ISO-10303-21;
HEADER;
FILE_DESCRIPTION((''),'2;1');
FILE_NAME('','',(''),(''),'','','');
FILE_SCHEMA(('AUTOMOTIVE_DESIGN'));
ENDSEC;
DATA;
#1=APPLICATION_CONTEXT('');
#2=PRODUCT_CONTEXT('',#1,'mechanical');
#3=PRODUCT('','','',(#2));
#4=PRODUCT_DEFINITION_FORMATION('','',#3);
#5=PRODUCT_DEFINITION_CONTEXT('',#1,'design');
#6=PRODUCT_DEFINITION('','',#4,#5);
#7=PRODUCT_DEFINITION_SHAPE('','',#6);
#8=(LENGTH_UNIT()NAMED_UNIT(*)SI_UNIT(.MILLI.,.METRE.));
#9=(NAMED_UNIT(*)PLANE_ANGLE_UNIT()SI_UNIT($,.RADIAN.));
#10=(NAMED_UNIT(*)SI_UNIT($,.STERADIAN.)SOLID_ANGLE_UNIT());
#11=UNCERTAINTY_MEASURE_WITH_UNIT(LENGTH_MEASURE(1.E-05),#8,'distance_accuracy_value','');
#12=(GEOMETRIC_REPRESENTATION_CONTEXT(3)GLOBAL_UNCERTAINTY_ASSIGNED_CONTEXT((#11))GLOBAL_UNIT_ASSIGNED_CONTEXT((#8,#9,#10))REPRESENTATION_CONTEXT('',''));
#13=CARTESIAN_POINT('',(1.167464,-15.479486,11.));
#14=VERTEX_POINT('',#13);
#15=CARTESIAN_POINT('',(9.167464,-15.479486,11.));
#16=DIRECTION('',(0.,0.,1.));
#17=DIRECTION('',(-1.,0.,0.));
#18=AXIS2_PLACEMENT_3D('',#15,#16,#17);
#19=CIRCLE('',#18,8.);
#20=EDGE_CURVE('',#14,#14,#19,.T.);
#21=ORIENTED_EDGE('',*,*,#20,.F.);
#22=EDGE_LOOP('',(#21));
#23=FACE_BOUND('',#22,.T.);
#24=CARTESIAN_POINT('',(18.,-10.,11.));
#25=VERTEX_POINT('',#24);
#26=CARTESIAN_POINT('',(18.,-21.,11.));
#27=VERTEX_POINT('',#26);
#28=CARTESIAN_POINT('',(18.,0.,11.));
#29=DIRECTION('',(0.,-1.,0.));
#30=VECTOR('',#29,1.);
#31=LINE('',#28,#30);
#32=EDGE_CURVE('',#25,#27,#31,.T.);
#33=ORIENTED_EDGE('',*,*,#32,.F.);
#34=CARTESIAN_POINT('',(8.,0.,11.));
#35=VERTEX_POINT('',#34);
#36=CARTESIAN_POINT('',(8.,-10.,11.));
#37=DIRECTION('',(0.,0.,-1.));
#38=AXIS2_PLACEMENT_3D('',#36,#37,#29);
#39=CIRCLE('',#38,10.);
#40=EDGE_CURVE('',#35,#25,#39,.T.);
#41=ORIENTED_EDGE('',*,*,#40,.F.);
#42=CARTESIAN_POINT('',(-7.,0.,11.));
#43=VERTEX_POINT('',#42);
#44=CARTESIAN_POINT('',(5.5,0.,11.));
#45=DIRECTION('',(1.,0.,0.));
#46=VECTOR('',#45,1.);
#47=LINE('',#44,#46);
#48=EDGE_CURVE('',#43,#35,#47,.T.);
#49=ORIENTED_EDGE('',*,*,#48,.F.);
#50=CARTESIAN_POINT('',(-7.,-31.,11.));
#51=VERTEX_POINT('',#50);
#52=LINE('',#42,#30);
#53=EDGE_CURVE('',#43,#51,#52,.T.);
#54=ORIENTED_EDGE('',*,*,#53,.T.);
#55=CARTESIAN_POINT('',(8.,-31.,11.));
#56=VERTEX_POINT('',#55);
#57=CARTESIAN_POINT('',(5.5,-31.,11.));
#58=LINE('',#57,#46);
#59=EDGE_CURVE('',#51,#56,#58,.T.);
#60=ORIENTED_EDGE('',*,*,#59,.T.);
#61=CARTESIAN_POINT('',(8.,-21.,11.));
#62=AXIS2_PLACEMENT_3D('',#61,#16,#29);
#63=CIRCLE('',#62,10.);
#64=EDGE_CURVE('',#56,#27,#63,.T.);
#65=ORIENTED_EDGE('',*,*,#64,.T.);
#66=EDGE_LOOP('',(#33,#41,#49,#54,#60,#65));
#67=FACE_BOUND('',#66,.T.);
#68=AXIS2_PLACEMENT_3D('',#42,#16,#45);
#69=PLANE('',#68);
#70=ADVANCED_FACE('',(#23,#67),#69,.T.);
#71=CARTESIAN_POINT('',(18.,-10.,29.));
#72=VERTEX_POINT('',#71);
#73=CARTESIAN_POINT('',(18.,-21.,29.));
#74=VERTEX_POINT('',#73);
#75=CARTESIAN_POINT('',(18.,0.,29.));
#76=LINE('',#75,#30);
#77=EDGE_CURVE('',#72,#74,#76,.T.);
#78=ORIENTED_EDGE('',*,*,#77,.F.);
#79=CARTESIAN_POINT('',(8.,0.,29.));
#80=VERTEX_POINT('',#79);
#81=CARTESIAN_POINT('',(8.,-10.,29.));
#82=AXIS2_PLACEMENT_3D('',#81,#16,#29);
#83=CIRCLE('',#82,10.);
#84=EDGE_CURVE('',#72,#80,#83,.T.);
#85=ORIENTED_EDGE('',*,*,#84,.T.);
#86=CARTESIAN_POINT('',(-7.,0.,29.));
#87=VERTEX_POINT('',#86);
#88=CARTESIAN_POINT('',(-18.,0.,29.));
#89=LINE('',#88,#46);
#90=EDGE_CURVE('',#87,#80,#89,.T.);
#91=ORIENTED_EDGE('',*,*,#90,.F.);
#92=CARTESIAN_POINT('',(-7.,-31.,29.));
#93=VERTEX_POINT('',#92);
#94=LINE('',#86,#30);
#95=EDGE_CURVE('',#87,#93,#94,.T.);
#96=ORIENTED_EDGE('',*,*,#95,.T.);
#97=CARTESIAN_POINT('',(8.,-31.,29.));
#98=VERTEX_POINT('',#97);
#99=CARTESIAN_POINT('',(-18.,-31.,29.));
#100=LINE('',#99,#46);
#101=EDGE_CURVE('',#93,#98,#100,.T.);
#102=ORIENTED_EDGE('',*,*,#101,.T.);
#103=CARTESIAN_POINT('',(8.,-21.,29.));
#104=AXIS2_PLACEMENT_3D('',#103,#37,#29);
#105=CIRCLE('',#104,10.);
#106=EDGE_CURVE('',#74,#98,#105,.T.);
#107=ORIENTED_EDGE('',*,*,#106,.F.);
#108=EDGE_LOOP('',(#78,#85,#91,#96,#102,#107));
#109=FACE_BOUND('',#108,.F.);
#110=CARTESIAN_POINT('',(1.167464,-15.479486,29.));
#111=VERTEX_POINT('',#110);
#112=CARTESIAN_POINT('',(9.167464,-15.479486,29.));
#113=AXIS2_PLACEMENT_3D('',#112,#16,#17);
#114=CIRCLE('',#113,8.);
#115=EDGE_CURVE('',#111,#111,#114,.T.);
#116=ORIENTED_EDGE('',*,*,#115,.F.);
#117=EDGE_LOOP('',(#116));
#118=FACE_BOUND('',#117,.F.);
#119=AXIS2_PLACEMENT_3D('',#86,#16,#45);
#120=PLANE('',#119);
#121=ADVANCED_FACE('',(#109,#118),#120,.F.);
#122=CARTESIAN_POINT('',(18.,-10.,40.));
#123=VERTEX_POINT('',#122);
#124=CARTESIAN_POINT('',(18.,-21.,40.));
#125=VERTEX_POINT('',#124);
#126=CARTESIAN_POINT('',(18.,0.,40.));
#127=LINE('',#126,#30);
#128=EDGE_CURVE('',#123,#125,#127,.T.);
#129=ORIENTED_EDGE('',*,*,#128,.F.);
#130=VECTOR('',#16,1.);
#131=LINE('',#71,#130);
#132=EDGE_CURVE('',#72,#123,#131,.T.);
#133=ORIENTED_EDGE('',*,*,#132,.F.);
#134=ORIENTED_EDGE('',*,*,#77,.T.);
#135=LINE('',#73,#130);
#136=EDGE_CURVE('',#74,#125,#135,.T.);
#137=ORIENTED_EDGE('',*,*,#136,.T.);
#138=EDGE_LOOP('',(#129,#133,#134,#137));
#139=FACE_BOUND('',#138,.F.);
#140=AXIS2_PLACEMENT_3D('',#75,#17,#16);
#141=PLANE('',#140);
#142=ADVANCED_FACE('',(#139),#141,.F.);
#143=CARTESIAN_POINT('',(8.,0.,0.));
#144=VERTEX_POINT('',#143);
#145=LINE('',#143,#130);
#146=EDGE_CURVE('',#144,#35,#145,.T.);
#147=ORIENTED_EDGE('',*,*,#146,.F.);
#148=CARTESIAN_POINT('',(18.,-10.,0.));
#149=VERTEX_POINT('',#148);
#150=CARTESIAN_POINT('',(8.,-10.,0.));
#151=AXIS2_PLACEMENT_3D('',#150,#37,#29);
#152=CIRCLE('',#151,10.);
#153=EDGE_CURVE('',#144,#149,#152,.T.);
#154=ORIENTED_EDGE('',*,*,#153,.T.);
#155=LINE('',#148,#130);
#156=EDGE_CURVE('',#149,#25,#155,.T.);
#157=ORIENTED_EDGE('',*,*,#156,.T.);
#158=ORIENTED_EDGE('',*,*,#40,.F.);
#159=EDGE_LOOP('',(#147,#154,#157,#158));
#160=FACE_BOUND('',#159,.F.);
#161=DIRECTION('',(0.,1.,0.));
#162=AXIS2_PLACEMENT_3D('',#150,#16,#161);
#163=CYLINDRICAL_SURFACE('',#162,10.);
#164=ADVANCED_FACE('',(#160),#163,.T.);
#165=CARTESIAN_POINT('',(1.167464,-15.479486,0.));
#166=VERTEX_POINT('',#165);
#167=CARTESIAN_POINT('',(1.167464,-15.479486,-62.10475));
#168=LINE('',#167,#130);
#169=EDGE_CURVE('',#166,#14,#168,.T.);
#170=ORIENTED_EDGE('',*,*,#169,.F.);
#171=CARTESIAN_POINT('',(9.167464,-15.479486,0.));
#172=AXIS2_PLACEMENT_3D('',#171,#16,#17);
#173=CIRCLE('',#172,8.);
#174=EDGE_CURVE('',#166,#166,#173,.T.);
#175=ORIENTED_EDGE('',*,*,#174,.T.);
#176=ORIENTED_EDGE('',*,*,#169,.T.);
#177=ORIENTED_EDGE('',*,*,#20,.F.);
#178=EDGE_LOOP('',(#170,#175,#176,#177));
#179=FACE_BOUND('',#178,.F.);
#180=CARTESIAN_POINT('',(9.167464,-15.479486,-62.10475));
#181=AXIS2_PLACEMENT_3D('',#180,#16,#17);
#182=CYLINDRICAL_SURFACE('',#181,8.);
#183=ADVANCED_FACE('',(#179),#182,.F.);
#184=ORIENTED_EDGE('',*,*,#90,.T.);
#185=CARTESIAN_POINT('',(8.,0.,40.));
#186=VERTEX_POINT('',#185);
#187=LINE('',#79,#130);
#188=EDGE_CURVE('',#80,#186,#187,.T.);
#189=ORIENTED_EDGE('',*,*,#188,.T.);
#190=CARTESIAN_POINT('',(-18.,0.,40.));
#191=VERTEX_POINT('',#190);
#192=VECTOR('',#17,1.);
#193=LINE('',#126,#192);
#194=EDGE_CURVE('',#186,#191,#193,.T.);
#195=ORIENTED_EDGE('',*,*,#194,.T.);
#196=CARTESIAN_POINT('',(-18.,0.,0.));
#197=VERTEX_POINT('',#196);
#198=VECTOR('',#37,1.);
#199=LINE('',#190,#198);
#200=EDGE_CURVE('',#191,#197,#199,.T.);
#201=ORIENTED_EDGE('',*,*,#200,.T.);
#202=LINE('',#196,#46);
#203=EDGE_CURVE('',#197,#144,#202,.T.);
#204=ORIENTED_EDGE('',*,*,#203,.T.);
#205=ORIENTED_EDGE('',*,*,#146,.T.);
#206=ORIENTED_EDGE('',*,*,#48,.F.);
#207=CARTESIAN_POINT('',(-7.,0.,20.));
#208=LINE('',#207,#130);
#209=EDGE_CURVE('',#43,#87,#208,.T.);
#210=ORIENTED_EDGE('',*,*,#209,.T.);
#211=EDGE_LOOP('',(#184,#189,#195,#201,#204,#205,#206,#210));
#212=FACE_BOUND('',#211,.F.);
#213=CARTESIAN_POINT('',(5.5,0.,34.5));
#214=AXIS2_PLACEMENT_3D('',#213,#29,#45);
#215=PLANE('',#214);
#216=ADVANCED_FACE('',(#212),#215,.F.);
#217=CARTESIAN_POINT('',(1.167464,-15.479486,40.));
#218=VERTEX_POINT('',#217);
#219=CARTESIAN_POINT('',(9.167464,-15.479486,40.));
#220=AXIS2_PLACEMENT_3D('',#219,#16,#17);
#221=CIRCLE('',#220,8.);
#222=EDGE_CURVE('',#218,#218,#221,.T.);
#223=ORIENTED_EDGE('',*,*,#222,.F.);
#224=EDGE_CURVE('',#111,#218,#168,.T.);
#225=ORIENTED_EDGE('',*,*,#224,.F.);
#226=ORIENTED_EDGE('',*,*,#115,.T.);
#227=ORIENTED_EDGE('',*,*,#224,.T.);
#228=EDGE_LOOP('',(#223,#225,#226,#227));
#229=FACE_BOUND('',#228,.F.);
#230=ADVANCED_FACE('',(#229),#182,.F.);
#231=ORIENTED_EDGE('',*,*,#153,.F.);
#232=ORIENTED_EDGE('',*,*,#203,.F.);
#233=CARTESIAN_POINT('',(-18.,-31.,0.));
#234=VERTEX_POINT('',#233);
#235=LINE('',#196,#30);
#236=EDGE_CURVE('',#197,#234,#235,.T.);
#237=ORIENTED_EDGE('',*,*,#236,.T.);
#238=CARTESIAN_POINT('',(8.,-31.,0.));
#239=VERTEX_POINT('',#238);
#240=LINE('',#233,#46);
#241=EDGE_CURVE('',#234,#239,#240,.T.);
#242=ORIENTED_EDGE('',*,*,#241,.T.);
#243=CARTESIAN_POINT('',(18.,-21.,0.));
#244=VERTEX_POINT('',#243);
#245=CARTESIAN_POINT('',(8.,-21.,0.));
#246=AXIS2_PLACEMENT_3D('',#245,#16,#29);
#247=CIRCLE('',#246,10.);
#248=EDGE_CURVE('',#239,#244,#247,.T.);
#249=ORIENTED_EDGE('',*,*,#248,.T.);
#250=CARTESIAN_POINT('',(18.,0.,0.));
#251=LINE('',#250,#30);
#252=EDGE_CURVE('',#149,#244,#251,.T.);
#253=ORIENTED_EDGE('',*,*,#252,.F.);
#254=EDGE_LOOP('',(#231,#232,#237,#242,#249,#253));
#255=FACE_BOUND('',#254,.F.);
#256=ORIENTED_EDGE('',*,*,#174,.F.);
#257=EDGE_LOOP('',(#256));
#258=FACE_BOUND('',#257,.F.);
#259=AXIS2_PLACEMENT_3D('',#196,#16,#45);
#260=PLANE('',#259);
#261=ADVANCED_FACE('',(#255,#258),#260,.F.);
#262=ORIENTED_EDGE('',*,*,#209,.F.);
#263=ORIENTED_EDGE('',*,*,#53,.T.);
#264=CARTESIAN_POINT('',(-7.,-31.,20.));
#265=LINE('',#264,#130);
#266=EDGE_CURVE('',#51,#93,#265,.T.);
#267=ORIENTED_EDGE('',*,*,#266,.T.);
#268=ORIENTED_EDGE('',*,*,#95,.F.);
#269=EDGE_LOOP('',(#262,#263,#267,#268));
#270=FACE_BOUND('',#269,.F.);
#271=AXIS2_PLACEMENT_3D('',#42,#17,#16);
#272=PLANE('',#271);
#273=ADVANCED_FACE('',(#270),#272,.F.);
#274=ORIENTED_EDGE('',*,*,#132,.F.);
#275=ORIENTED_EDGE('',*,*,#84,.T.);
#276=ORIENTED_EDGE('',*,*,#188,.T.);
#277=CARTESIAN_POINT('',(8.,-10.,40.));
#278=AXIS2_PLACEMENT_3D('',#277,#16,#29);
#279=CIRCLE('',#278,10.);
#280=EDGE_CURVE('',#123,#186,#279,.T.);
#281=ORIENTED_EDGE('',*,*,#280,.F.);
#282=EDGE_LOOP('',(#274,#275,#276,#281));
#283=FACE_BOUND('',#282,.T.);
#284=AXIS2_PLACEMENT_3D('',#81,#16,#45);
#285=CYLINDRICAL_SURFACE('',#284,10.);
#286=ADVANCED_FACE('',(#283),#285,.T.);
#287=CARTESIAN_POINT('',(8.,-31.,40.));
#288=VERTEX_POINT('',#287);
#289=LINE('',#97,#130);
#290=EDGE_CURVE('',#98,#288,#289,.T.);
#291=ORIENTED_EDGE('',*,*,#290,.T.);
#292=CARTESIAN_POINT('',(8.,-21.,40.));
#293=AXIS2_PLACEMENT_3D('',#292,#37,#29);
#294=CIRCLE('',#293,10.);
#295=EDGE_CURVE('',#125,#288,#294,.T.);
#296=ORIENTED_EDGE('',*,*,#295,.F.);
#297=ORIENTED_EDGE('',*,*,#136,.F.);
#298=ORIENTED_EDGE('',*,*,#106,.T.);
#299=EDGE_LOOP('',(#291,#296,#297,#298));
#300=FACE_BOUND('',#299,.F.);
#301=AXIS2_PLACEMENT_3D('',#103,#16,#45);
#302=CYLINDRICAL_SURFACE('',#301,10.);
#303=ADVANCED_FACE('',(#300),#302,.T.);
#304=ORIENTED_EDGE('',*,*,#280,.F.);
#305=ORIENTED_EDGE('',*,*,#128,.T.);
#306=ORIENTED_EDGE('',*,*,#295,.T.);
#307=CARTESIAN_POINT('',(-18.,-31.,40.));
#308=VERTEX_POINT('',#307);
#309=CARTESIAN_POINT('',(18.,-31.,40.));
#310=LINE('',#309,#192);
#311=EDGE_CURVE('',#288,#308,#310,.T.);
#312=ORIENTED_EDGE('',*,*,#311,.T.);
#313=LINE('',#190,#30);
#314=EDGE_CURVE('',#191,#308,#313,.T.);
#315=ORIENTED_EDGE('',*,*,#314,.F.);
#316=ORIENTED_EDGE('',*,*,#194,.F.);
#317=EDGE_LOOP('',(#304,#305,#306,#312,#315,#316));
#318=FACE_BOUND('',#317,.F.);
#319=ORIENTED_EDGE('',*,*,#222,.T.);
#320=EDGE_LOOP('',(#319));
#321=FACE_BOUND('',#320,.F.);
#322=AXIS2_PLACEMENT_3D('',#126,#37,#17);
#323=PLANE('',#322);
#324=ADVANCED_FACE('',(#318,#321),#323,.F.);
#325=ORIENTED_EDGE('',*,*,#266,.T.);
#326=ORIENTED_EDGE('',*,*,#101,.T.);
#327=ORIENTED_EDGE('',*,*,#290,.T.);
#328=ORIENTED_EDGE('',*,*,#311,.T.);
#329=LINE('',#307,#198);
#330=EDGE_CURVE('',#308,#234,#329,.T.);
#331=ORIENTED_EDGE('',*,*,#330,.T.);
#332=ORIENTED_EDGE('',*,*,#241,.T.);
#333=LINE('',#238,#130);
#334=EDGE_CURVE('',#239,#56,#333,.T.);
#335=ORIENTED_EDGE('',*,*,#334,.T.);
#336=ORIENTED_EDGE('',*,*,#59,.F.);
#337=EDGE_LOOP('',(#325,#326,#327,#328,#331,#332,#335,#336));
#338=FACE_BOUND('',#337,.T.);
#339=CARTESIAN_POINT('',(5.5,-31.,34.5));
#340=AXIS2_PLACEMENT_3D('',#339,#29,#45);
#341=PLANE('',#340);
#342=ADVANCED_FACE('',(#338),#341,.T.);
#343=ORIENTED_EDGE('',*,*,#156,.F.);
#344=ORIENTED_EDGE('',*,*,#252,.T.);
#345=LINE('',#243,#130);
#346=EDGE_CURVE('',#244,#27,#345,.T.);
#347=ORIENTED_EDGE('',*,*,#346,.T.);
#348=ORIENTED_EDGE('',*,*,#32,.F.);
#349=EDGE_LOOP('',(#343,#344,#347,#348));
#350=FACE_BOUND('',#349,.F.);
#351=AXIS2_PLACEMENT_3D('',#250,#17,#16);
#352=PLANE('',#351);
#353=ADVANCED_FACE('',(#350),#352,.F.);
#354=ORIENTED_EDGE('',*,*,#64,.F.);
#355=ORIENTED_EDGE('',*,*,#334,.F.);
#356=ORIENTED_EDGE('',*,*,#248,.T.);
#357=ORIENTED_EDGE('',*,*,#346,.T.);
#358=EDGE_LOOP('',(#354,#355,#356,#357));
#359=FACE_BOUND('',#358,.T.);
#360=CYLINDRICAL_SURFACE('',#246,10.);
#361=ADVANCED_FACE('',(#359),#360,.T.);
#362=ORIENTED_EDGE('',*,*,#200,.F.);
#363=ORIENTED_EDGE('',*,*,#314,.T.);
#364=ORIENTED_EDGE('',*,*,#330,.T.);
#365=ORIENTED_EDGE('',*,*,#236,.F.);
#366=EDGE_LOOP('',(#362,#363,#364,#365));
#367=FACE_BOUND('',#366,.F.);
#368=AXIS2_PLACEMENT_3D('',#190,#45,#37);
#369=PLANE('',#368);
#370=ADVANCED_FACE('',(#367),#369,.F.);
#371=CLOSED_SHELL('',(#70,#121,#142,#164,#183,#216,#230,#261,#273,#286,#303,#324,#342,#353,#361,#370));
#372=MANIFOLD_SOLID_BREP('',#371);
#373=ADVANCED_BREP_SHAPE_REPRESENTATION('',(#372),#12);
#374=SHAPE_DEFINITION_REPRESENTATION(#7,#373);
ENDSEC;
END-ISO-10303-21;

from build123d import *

# Parameters (mm, degrees)
F0_W     = 25
F0_H     = 11
F0_W_2   = 11
F0_H_2   = 18
F1_DEPTH = 31
F3_D     = 16
F4_R     = 10


with BuildPart() as f1:
    # F0 (on Front) → F1 (new body)
    with BuildSketch(Plane.XZ):
        with Locations((5.5, 34.5)):
            Rectangle(F0_W, F0_H)
        with Locations((-12.5, 34.5)):
            Rectangle(F0_W_2, F0_H)
        with Locations((-12.5, 20)):
            Rectangle(F0_W_2, F0_H_2)
        with Locations((5.5, 5.5)):
            Rectangle(F0_W, F0_H)
        with Locations((-12.5, 5.5)):
            Rectangle(F0_W_2, F0_H)
    extrude(amount=F1_DEPTH)

    # F3 (through all)
    with Locations(Plane(origin=(0, 0, 0), x_dir=(1, 0, 0), z_dir=(0, 0, -1))):
        with Locations((9.1674635187, 15.4794855043)):
            Hole(F3_D / 2)

    # F4
    f4_edges = [f1.edges().sort_by_distance(p)[0] for p in [
        (18, 0, 5.5),
        (18, 0, 34.5),
        (18, -31, 5.5),
        (18, -31, 34.5),
    ]]
    fillet(f4_edges, radius=F4_R)


solid = f1.part
